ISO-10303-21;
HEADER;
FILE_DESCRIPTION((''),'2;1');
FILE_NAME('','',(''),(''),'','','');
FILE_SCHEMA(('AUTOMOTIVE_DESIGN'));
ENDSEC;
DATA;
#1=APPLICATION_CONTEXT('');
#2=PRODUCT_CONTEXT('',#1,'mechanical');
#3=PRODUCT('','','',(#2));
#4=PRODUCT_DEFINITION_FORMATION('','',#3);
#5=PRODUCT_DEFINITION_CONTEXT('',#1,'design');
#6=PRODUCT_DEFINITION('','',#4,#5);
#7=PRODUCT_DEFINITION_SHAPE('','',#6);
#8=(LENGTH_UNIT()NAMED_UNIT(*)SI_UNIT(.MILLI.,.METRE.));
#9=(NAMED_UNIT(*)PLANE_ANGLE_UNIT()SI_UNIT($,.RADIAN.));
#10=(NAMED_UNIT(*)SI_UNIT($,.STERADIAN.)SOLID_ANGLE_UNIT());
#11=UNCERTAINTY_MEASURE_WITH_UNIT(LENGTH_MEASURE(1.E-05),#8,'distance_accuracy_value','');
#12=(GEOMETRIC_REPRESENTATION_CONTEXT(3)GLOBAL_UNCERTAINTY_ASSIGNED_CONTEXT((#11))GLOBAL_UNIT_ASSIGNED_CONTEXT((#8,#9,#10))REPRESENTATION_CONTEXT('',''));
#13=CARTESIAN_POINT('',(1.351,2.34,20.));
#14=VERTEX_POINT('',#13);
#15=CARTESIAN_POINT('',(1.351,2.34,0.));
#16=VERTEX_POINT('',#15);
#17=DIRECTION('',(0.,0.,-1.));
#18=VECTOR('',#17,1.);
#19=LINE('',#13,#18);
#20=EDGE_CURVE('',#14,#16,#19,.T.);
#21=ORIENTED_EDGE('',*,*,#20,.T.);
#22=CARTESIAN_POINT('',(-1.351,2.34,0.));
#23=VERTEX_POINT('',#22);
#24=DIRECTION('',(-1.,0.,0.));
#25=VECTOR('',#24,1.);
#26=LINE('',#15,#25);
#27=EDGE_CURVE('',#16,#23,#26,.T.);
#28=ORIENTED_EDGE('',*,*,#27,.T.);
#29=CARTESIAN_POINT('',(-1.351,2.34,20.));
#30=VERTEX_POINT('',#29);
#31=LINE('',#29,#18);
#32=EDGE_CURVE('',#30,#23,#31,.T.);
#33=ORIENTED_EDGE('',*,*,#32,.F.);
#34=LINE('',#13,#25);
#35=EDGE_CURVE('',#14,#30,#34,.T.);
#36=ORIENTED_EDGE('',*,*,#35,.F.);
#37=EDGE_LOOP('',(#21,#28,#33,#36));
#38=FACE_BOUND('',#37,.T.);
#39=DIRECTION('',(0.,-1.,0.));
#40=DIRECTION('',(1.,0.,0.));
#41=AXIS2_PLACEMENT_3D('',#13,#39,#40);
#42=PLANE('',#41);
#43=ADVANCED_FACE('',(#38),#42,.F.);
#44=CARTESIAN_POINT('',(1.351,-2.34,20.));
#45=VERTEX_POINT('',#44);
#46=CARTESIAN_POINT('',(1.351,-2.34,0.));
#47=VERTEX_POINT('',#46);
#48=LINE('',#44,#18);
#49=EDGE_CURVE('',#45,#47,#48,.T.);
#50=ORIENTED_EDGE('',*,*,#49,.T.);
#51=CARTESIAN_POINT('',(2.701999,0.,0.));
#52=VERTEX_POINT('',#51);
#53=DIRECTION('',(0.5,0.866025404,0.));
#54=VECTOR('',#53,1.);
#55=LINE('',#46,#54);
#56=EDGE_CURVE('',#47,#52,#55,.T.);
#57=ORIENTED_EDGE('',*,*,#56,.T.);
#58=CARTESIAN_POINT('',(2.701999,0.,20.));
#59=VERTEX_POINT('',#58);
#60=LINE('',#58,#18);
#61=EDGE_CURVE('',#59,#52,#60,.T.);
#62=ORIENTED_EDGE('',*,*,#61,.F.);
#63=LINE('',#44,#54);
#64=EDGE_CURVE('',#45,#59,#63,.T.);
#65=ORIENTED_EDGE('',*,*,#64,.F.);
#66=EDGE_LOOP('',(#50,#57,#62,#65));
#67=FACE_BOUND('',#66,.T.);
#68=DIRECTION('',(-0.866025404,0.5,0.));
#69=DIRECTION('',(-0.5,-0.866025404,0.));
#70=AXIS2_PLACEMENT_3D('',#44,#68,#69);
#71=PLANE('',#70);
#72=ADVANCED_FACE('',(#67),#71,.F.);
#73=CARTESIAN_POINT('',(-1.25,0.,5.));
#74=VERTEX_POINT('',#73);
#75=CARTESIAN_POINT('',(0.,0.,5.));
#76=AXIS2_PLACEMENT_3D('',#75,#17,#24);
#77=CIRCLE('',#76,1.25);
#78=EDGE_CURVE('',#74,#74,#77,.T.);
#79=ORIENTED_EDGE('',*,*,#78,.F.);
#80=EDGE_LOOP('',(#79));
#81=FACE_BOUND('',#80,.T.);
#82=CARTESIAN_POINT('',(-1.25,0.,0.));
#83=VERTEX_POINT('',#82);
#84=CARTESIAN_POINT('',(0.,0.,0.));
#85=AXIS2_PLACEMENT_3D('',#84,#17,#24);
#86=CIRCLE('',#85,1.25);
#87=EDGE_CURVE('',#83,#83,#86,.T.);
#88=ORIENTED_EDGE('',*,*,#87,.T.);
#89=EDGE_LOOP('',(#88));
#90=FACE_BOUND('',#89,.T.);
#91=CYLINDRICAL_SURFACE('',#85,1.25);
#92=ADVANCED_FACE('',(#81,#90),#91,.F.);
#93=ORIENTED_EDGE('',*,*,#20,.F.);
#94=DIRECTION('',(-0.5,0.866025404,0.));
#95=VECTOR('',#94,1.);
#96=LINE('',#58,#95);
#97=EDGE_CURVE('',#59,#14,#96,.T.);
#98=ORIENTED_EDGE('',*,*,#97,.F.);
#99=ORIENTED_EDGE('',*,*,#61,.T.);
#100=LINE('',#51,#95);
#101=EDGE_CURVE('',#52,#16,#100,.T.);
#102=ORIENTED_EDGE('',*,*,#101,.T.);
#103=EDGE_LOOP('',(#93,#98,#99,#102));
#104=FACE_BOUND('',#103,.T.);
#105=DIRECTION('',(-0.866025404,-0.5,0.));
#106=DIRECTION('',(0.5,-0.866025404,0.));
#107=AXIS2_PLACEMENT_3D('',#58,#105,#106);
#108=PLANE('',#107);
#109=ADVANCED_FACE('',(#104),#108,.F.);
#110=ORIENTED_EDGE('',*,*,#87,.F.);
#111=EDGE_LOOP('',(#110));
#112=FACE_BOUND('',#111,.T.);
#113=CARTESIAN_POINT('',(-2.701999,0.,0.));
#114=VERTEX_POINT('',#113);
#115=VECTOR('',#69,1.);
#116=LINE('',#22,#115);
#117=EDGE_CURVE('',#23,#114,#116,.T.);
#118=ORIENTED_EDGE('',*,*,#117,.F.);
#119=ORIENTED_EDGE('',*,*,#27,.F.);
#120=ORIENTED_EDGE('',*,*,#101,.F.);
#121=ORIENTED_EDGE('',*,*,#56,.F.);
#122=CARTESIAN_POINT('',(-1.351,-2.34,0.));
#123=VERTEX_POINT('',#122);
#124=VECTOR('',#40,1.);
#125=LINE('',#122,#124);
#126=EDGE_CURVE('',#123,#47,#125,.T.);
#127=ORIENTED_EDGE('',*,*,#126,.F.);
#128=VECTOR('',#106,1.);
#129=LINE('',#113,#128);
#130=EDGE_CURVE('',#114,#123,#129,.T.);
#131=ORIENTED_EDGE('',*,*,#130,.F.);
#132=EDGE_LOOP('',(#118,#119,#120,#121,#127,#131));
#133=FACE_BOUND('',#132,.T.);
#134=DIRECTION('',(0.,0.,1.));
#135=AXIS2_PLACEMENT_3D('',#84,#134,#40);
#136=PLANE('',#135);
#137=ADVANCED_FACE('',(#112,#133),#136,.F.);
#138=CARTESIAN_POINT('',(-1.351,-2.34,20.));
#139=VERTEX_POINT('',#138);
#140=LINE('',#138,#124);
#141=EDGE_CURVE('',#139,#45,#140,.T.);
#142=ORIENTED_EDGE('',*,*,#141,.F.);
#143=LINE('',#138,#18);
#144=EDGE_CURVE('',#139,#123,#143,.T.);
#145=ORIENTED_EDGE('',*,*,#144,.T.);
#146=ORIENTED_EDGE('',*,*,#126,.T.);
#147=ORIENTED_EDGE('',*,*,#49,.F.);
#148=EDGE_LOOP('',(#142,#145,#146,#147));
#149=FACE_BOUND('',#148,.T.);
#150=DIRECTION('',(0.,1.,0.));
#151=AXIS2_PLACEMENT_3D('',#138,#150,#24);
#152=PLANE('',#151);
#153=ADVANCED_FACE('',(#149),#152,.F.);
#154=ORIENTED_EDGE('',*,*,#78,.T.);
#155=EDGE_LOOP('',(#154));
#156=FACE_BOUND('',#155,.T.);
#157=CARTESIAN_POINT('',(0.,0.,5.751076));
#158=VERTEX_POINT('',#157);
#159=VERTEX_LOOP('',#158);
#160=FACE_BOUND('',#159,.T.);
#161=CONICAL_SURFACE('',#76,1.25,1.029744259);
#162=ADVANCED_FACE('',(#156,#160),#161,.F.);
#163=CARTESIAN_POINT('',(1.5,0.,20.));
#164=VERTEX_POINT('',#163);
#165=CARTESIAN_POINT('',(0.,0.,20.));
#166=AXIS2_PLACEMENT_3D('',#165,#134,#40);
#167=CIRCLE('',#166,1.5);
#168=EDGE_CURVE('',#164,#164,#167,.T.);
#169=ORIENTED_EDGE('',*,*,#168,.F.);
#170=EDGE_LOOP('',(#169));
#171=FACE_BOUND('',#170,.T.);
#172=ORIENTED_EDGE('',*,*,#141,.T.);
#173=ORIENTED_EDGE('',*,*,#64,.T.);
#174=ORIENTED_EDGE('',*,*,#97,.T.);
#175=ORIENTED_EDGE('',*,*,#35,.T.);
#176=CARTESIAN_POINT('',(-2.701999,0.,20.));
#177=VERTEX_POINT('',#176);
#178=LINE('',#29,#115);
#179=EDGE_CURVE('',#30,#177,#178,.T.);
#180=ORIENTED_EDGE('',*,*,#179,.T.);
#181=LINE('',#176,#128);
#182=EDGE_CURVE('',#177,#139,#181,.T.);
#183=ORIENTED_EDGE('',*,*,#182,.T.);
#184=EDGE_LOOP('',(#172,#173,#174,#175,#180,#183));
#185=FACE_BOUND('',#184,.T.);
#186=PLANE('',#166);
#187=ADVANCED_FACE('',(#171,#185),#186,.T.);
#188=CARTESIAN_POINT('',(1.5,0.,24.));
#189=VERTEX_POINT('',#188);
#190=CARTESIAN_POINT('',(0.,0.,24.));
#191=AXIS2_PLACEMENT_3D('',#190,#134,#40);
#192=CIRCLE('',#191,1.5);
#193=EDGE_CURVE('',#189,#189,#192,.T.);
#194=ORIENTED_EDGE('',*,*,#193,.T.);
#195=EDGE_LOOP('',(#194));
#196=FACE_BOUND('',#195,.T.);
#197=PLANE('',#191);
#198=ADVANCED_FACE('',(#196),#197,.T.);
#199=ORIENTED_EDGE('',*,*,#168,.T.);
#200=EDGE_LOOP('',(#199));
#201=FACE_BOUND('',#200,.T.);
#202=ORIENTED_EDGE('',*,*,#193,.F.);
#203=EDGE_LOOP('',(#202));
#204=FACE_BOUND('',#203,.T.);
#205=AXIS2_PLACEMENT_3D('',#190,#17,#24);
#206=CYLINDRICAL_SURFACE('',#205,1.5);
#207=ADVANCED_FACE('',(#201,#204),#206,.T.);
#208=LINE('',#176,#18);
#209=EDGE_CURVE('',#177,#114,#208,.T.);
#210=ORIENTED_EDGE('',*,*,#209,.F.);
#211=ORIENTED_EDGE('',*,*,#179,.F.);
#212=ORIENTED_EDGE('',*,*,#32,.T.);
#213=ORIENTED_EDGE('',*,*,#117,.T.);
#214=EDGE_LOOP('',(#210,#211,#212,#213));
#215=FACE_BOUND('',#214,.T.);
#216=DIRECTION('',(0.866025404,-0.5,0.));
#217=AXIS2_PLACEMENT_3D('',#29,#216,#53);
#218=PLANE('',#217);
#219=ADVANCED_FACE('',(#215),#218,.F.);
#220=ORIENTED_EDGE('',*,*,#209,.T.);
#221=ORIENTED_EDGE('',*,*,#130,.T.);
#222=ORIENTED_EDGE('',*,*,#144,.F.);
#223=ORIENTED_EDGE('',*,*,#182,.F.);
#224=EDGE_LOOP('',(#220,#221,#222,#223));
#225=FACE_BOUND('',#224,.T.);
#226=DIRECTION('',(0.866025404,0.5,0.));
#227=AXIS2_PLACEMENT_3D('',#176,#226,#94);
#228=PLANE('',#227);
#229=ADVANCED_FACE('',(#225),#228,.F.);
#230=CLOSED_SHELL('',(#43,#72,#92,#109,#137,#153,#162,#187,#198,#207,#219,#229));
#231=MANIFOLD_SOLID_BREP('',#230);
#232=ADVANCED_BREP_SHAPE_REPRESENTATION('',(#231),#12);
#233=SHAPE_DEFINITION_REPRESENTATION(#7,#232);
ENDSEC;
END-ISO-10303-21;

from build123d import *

# Parameters (mm, degrees)
EXTRUDE_1_DEPTH = 20
SKETCH_2_R      = 1.5
EXTRUDE_2_DEPTH = 4
M3X0_5_1_D      = 2.5
M3X0_5_1_DEPTH  = 5
M3X0_5_1_TIP    = 0.751075774


with BuildPart() as part:
    # 草圖1 → 填料-伸長1 (new body)
    with BuildSketch(Plane.XY):
        Polygon((2.70199926, 0), (1.35099963, 2.34), (-1.35099963, 2.34), (-2.70199926, 0), (-1.35099963, -2.34), (1.35099963, -2.34), align=None)
    extrude(amount=EXTRUDE_1_DEPTH)

    # 草圖2 → 填料-伸長2 (add)
    with BuildSketch(Plane.XY.offset(20)):
        Circle(SKETCH_2_R)
    extrude(amount=EXTRUDE_2_DEPTH)

    # M3x0.5 螺紋孔1
    with Locations(Plane(origin=(0, 0, 0), x_dir=(-1, 0, 0), z_dir=(0, 0, -1))):
        with Locations((0, 0)):
            Hole(M3X0_5_1_D / 2, depth=M3X0_5_1_DEPTH)
            with Locations((0, 0, -(M3X0_5_1_DEPTH + M3X0_5_1_TIP / 2))):  # 118° drill point
                Cone(0, M3X0_5_1_D / 2, M3X0_5_1_TIP, mode=Mode.SUBTRACT)


solid = part.part
